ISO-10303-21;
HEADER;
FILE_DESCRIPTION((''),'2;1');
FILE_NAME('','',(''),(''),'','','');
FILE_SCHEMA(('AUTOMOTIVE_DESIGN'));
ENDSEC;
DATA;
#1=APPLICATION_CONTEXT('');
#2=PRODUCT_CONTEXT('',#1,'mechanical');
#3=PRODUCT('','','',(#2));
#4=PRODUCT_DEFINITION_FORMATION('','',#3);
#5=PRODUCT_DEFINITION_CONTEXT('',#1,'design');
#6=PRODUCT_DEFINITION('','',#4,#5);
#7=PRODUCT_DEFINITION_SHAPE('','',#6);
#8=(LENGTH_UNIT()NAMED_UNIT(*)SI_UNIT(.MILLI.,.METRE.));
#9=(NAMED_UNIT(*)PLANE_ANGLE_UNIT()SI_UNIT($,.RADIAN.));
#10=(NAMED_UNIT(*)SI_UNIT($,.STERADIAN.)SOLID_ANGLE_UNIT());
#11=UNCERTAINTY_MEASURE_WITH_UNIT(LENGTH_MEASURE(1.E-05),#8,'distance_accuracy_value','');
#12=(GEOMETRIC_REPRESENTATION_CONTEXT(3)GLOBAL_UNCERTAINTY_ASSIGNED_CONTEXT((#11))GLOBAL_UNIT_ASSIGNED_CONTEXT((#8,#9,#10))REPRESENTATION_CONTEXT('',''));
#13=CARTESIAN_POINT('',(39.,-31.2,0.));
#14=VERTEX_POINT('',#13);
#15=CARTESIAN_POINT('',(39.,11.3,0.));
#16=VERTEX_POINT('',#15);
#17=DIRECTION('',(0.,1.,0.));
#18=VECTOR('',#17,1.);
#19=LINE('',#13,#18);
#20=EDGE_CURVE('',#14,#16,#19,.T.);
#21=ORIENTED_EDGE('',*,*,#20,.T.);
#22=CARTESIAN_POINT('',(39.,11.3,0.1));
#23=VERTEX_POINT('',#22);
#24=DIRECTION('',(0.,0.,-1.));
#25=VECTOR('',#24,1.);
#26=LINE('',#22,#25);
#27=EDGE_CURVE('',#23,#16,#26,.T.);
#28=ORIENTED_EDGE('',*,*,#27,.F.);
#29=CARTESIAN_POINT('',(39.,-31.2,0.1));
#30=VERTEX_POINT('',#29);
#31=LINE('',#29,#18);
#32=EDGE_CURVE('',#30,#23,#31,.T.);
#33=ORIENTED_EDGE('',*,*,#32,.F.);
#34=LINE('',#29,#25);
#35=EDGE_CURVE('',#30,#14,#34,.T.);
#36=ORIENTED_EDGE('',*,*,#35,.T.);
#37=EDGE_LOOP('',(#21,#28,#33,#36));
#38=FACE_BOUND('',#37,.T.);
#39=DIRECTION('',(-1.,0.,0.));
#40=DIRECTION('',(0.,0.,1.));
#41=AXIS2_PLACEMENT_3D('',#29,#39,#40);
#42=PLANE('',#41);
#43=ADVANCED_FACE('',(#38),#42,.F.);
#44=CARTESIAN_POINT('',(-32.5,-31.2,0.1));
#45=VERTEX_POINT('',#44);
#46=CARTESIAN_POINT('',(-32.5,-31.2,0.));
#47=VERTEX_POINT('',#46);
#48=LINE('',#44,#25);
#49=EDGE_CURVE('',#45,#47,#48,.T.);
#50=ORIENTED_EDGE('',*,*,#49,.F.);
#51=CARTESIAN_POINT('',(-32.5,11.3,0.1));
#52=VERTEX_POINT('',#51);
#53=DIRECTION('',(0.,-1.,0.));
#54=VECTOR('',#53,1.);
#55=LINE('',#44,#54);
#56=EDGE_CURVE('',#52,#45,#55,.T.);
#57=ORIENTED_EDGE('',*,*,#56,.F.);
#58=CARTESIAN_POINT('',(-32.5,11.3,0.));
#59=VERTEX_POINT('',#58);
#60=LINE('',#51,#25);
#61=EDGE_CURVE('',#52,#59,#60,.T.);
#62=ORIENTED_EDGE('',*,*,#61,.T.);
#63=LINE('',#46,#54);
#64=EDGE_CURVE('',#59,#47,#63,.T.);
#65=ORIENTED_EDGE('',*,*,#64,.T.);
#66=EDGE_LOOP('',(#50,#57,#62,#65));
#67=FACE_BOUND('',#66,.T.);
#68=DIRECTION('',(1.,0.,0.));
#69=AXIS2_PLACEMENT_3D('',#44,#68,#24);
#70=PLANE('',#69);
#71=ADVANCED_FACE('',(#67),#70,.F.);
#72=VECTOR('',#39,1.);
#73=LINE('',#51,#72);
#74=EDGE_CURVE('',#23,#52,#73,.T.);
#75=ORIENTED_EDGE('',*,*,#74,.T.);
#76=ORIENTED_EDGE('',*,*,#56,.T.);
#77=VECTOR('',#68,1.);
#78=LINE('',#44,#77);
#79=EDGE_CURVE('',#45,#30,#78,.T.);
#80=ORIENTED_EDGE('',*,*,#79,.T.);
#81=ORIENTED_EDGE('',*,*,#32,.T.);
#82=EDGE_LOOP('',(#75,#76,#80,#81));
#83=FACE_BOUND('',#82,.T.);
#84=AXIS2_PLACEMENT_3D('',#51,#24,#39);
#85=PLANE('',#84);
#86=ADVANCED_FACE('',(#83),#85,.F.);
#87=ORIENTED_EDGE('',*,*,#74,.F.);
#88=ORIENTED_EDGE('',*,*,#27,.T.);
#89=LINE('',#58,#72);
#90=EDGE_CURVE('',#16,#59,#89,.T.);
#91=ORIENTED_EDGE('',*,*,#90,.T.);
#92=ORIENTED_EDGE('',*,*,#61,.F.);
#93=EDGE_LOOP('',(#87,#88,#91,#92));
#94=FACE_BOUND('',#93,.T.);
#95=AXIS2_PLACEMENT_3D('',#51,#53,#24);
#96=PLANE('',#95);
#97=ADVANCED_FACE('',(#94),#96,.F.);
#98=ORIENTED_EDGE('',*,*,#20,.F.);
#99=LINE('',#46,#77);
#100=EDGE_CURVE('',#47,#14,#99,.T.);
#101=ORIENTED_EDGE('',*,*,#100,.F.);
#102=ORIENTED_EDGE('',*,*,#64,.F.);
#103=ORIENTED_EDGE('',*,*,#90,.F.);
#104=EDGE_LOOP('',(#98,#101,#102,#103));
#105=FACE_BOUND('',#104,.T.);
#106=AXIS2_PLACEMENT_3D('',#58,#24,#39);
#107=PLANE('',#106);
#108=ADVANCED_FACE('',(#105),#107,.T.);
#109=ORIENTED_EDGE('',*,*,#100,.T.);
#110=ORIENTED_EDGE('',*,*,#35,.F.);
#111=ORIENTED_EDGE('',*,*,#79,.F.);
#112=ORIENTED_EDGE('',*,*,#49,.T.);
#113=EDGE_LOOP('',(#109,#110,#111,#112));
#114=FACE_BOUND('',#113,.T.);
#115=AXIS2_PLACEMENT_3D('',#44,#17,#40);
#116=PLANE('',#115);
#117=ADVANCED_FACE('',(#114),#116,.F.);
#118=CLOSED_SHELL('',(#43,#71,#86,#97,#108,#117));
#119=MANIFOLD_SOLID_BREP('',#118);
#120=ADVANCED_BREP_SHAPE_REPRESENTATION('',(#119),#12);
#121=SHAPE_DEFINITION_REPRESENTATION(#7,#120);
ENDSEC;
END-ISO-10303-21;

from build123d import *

# Parameters (mm, degrees)
SKETCH1_W      = 71.5
SKETCH1_H      = 42.5
EXTRUDE1_DEPTH = 0.1


with BuildPart() as part:
    # Sketch1 → Extrude1 (new body)
    with BuildSketch(Plane.XY):
        with Locations((3.25, -9.95)):
            Rectangle(SKETCH1_W, SKETCH1_H)
    extrude(amount=EXTRUDE1_DEPTH)


solid = part.part
